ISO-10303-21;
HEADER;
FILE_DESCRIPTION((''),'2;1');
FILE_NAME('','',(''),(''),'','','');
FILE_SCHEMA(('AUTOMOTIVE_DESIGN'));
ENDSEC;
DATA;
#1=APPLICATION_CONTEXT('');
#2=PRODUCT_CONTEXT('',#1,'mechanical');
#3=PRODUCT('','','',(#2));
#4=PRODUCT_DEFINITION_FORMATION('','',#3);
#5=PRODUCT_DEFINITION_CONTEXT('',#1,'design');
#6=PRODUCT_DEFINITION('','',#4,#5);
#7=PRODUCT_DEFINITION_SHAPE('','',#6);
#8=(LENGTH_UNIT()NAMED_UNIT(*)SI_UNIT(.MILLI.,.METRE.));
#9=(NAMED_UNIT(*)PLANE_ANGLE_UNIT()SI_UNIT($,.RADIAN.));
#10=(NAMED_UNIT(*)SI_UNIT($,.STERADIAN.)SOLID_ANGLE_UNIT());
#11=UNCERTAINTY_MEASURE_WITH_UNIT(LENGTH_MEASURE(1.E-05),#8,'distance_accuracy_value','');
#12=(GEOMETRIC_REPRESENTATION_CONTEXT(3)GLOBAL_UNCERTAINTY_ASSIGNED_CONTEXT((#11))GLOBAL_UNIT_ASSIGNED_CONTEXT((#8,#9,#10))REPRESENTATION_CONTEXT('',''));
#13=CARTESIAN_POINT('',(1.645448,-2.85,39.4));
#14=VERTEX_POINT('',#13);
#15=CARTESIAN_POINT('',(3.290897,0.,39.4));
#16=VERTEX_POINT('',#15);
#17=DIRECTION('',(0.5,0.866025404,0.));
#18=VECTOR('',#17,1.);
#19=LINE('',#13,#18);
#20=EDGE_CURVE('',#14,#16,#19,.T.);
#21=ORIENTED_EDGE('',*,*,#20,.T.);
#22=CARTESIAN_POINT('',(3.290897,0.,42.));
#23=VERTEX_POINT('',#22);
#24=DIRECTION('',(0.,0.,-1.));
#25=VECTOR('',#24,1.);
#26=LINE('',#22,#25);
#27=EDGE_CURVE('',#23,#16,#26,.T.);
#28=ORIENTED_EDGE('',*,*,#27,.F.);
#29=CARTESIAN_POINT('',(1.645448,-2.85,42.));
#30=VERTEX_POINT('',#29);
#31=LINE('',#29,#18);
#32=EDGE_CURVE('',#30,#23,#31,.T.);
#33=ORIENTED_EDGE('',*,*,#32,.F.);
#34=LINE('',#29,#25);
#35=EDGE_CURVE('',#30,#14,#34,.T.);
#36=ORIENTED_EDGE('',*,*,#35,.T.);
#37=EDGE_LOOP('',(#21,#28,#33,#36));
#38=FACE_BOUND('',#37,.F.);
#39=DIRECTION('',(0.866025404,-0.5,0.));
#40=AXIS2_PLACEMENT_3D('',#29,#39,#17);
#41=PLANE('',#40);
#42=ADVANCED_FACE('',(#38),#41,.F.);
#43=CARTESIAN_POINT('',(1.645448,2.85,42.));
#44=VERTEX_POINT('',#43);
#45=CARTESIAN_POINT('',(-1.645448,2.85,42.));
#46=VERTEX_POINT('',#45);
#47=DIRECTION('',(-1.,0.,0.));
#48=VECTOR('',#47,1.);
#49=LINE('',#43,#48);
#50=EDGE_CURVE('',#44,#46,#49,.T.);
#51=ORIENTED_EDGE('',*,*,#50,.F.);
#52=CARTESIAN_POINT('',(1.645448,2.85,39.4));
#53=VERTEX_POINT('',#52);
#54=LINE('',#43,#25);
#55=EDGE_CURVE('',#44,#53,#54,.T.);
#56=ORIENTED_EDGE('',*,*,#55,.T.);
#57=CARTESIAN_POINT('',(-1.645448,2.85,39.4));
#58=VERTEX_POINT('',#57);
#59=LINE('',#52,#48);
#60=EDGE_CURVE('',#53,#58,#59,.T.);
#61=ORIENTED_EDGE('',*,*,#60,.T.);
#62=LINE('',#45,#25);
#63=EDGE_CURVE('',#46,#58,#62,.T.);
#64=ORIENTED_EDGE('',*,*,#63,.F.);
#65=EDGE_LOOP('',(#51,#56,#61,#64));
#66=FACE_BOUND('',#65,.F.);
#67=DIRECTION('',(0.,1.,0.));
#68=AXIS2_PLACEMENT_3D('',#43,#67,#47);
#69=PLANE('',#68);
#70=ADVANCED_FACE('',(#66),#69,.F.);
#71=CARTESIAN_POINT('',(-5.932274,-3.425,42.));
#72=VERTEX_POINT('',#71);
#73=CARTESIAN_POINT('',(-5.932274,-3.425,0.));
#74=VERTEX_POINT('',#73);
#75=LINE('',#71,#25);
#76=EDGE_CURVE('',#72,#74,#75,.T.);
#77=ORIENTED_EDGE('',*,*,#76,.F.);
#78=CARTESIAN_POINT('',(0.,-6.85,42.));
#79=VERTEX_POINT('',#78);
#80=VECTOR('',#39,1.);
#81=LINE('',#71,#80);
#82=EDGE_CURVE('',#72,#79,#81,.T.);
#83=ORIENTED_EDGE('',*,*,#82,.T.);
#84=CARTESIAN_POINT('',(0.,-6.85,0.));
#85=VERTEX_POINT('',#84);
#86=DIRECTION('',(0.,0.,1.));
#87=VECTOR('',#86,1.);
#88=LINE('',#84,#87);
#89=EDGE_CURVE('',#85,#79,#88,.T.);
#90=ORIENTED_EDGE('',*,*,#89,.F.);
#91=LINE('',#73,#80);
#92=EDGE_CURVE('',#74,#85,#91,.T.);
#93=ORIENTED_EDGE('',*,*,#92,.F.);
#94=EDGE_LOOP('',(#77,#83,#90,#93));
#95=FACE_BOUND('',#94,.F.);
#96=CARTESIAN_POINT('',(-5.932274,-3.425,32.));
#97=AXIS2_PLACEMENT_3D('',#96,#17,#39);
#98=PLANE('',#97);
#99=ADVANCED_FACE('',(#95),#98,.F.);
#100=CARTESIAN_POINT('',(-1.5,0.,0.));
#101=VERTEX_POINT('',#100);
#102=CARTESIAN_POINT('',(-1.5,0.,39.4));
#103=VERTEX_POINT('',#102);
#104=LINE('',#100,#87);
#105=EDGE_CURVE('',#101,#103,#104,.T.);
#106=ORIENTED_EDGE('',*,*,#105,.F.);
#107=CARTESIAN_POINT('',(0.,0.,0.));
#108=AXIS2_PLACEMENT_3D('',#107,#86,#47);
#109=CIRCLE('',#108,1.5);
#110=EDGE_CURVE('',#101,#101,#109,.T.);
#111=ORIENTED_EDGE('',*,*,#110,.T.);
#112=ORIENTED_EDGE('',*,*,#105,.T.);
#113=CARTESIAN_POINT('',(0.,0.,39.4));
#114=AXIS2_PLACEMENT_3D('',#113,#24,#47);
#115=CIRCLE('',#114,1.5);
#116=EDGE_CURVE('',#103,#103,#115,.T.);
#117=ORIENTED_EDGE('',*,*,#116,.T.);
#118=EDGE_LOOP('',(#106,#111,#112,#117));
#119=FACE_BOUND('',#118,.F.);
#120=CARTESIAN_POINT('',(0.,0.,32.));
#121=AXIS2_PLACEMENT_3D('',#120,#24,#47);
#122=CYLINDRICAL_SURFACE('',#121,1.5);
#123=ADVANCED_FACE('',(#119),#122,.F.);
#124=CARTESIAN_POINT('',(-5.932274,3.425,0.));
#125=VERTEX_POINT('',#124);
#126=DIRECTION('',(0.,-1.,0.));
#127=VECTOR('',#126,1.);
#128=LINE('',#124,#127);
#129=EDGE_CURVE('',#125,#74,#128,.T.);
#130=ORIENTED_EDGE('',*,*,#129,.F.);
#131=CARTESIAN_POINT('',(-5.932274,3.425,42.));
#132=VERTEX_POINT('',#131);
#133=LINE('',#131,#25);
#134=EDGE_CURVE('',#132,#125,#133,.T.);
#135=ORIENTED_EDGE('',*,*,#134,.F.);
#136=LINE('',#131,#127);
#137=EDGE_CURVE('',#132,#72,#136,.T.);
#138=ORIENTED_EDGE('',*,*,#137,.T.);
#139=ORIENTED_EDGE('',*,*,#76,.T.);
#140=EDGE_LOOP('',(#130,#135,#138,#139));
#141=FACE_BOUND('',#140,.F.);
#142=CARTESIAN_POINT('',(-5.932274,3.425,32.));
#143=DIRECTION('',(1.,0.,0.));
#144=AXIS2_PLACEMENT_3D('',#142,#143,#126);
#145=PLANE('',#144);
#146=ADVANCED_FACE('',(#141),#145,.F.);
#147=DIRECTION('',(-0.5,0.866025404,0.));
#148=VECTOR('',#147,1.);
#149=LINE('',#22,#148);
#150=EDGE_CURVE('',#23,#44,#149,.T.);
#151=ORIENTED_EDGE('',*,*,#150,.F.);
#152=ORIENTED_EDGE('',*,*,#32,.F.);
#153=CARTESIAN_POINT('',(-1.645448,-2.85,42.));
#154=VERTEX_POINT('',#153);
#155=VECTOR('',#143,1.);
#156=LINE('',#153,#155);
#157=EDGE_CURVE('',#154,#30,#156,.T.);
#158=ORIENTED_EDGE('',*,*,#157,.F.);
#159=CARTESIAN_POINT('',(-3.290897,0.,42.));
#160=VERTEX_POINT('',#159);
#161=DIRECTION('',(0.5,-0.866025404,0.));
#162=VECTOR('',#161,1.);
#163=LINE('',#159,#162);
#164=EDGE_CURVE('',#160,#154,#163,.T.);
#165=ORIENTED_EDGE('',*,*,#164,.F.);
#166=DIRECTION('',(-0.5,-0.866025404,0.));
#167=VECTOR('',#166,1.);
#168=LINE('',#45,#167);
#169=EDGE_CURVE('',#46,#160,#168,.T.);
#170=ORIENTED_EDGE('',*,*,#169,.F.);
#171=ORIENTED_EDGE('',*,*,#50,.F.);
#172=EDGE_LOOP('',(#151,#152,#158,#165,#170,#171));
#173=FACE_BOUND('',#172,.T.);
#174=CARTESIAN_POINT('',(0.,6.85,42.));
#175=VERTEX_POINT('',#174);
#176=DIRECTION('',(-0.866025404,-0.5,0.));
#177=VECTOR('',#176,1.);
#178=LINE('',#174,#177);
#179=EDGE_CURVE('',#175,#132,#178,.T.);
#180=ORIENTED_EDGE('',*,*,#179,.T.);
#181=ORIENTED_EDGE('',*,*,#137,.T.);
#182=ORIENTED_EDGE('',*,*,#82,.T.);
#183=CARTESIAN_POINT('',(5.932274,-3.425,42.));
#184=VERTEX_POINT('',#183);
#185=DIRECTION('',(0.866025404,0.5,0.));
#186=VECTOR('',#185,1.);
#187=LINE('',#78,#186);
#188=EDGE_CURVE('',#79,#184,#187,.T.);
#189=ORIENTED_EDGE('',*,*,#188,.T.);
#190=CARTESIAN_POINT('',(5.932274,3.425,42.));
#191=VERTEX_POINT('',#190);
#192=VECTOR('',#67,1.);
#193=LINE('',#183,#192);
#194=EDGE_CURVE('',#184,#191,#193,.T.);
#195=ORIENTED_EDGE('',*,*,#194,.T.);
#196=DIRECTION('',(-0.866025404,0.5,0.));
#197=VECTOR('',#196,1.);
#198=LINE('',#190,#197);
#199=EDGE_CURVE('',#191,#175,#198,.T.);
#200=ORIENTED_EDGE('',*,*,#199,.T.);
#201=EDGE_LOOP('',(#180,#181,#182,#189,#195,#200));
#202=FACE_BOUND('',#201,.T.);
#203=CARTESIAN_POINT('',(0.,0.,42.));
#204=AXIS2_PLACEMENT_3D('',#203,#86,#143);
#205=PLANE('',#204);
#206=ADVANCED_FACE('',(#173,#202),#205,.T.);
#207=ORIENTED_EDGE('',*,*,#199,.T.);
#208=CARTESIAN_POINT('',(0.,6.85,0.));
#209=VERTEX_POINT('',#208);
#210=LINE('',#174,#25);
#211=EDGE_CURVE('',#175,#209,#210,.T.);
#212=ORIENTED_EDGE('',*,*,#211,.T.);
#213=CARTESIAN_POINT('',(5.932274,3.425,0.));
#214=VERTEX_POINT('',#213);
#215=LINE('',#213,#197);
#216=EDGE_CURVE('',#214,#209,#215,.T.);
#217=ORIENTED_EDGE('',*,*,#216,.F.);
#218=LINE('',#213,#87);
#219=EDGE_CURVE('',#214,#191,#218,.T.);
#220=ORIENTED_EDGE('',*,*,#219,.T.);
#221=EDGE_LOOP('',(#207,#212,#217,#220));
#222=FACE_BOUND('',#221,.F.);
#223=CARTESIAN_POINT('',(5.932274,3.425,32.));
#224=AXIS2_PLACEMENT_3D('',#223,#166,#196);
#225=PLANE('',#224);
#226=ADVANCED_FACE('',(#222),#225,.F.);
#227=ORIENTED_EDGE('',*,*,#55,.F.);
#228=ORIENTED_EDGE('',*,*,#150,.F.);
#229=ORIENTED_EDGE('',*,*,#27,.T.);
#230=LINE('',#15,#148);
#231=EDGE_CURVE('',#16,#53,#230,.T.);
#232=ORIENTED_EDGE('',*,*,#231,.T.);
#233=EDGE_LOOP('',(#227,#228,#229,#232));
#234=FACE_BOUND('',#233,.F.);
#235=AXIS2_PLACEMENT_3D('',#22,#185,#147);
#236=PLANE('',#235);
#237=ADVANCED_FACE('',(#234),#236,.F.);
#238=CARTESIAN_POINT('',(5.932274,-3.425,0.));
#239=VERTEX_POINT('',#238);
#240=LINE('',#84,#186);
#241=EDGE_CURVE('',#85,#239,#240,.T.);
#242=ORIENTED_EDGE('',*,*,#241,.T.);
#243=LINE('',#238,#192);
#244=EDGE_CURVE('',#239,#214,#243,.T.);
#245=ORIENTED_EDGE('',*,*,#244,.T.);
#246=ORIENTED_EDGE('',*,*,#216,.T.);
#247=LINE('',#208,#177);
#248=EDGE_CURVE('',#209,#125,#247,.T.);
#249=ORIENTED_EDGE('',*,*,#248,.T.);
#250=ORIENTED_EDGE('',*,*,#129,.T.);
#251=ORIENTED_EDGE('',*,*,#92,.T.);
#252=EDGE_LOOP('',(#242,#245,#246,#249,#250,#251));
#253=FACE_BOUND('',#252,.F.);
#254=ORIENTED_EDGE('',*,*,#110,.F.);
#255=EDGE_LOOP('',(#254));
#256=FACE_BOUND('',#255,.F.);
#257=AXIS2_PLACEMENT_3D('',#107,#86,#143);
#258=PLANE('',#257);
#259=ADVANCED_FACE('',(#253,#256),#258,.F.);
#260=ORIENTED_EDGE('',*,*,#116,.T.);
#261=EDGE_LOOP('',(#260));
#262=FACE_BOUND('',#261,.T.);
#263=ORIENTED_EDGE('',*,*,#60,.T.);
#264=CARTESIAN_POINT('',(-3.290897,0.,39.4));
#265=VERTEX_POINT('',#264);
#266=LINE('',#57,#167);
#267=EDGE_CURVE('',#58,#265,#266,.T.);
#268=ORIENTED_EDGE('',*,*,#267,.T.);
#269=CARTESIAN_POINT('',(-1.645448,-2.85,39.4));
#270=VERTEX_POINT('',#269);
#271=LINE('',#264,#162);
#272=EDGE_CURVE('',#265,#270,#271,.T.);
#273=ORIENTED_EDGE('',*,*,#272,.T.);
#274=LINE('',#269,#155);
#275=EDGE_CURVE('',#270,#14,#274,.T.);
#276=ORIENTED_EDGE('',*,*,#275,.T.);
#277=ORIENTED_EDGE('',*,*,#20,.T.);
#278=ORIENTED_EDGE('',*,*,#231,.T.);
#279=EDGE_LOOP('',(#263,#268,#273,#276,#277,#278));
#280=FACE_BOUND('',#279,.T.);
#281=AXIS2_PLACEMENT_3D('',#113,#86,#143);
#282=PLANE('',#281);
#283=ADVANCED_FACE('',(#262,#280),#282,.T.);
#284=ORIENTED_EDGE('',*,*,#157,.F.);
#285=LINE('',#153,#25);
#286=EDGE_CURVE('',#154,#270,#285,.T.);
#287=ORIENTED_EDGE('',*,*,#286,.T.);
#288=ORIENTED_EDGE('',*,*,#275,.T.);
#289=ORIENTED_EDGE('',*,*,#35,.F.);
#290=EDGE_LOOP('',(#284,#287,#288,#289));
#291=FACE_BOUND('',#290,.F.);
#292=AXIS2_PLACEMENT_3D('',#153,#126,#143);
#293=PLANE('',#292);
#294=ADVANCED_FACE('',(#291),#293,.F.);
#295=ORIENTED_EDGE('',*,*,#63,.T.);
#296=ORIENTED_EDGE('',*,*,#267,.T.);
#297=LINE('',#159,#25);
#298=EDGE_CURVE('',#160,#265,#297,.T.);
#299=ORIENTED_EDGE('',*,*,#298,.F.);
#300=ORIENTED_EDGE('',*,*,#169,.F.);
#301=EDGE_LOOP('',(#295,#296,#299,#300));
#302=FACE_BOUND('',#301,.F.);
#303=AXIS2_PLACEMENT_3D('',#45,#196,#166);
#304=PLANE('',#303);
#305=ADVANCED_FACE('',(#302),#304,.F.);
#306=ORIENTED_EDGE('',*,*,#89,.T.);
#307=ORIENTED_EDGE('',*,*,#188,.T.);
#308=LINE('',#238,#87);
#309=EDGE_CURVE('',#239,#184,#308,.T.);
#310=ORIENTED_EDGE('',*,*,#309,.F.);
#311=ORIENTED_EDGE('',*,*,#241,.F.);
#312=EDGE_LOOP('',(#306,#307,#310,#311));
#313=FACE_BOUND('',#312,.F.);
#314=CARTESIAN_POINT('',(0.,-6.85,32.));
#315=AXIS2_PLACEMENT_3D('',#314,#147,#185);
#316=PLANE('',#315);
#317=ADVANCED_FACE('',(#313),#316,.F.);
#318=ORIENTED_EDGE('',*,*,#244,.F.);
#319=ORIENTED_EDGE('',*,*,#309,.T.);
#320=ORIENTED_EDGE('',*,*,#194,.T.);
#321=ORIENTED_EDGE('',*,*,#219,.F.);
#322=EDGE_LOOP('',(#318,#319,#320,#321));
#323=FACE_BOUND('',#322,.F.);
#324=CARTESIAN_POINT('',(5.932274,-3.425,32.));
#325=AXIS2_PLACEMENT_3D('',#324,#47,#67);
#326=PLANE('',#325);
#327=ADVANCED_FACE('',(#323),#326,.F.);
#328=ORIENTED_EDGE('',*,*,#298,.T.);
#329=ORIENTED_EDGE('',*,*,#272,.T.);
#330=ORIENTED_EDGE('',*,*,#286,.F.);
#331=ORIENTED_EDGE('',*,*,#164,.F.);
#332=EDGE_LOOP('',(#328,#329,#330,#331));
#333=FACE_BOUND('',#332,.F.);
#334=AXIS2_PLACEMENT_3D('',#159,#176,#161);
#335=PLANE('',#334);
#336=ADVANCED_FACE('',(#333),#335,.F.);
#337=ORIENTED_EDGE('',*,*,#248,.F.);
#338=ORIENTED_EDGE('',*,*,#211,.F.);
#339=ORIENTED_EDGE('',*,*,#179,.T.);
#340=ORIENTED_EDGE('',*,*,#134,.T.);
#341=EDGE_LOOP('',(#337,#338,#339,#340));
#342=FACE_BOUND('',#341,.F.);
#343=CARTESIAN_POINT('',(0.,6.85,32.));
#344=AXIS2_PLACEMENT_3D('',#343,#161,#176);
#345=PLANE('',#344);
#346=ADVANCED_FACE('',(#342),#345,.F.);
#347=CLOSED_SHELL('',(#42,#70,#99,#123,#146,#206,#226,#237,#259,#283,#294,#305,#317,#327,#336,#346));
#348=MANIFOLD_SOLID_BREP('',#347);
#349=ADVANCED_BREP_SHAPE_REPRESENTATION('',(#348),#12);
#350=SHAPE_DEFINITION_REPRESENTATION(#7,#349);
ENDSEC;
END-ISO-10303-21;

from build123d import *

# Parameters (mm, degrees)
F1_DEPTH       = 32
F3_D           = 3
F3_DEPTH       = 40
F3_CBORE_D     = 3
F3_CBORE_DEPTH = 40
F3_TIP         = 0.9012909285
F4_DEPTH       = 10
F6_DEPTH       = 2.6


with BuildPart() as f1:
    # F0 (on Top) → F1 (new body)
    with BuildSketch(Plane.XY):
        Polygon((-5.9322740159, -3.425), (0, -6.85), (5.9322740159, -3.425), (5.9322740159, 3.425), (0, 6.85), (-5.9322740159, 3.425), align=None)
    extrude(amount=F1_DEPTH)

    # F3
    with Locations(Plane.XY.offset(32)):
        with Locations((0, 0)):
            CounterBoreHole(F3_D / 2, F3_CBORE_D / 2, F3_CBORE_DEPTH, depth=F3_DEPTH)
            with Locations((0, 0, -(F3_DEPTH + F3_TIP / 2))):  # 118° drill point
                Cone(0, F3_D / 2, F3_TIP, mode=Mode.SUBTRACT)

    # F4 (add): a face of the model
    f4_faces = [f1.faces().sort_by_distance(p)[0] for p in [
        (-5.7510400511, 0, 32),
    ]]
    extrude(f4_faces, amount=F4_DEPTH)

    # F5 (on face) → F6 (cut)
    with BuildSketch(Plane.XY.offset(42)):
        Polygon((1.6454482672, 2.85), (-1.6454482672, 2.85), (-3.2908965344, 0), (-1.6454482672, -2.85), (1.6454482672, -2.85), (3.2908965344, 0), align=None)
    extrude(amount=-F6_DEPTH, mode=Mode.SUBTRACT)


solid = f1.part
